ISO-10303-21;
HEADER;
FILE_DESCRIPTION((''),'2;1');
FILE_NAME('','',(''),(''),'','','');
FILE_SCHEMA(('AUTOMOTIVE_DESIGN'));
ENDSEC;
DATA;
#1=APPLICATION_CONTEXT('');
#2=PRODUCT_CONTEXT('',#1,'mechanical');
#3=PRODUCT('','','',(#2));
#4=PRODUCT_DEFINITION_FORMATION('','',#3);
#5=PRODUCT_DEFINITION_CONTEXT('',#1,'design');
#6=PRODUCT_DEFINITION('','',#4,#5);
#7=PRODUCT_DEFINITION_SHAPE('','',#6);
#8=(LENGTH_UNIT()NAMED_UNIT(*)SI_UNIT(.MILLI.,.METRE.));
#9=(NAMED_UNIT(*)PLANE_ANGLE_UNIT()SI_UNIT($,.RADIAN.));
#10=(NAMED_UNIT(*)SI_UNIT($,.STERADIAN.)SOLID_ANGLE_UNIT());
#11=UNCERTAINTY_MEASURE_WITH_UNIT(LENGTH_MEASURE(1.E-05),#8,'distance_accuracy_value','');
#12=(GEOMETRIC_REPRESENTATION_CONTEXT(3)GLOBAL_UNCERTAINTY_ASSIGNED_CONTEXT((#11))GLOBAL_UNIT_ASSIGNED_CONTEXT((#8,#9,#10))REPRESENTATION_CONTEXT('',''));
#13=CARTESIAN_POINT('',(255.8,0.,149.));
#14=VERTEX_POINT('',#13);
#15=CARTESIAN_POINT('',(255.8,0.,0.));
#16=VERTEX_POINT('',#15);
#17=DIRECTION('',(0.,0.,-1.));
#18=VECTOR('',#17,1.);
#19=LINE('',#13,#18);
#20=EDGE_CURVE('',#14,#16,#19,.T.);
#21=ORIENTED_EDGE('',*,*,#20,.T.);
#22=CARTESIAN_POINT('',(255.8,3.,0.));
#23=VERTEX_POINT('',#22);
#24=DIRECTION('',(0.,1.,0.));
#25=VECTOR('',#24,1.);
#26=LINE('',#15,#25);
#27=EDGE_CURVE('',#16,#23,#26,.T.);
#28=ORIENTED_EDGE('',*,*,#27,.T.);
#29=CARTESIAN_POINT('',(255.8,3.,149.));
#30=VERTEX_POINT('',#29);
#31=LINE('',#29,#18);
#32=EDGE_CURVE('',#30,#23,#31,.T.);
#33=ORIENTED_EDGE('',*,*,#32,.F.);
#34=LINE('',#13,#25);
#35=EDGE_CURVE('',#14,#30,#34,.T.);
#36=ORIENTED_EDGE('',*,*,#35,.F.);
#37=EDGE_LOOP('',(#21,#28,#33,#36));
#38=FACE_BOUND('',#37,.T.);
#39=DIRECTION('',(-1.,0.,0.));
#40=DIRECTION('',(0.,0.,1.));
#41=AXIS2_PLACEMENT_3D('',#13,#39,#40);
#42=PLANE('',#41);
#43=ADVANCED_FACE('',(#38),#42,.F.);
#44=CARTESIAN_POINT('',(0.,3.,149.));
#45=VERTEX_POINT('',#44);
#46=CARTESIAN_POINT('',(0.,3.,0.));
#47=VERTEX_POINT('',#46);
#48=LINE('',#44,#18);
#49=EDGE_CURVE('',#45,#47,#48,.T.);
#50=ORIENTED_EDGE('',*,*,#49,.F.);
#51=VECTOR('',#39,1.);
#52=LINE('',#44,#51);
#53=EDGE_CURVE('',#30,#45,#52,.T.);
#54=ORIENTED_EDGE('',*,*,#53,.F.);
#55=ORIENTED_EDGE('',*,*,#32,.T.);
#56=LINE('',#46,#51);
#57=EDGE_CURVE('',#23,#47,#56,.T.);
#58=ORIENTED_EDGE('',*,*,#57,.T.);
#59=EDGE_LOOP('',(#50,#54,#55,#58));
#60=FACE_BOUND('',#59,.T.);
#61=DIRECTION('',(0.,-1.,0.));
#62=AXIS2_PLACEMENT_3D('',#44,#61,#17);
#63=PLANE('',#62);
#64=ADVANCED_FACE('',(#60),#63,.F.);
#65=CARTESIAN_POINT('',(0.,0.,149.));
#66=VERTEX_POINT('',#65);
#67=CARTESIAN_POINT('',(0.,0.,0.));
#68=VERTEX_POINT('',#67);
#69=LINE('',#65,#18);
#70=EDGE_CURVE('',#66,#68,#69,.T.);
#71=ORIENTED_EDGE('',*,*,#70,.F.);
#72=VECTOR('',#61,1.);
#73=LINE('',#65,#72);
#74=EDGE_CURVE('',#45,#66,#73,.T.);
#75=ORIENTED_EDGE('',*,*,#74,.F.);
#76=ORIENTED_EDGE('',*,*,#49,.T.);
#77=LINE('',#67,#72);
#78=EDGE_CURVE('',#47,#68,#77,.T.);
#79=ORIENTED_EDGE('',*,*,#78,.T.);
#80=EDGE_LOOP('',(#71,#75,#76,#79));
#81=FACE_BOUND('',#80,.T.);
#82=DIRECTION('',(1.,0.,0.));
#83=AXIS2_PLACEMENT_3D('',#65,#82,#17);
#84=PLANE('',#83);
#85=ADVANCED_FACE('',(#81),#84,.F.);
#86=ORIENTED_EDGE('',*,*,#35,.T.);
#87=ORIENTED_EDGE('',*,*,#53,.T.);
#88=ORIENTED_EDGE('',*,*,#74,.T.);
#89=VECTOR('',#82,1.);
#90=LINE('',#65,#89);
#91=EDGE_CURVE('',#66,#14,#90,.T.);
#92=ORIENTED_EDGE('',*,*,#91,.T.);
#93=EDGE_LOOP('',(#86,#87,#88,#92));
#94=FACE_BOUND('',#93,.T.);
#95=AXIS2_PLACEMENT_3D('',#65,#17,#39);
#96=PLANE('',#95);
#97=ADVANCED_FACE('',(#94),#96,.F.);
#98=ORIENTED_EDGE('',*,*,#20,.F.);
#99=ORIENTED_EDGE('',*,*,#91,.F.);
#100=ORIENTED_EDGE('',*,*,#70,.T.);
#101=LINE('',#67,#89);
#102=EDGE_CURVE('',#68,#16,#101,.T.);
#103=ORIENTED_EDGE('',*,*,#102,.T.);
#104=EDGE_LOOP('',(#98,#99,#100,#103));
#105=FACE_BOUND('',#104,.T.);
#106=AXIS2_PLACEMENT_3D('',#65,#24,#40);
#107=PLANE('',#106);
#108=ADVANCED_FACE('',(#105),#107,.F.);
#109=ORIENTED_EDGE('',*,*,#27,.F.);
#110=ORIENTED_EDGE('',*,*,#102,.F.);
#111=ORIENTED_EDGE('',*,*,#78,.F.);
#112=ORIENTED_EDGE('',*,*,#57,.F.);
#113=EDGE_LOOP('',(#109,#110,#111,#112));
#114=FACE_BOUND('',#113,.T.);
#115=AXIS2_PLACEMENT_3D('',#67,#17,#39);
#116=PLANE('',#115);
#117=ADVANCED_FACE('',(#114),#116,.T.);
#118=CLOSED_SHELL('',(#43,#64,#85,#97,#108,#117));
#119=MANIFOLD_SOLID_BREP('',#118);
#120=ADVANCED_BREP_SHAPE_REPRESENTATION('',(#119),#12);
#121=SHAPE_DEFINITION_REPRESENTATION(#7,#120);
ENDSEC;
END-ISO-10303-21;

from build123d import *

# Parameters (mm, degrees)
SKETCH_1_W                     = 255.8
SKETCH_1_H                     = 3
V2_REF_CHASSIS_255P8X149_DEPTH = 149


with BuildPart() as part:
    # 草图1 → V2_REF_chassis_255p8x149 (new body)
    with BuildSketch(Plane.XY):
        with Locations((127.9, 1.5)):
            Rectangle(SKETCH_1_W, SKETCH_1_H)
    extrude(amount=V2_REF_CHASSIS_255P8X149_DEPTH)


solid = part.part
